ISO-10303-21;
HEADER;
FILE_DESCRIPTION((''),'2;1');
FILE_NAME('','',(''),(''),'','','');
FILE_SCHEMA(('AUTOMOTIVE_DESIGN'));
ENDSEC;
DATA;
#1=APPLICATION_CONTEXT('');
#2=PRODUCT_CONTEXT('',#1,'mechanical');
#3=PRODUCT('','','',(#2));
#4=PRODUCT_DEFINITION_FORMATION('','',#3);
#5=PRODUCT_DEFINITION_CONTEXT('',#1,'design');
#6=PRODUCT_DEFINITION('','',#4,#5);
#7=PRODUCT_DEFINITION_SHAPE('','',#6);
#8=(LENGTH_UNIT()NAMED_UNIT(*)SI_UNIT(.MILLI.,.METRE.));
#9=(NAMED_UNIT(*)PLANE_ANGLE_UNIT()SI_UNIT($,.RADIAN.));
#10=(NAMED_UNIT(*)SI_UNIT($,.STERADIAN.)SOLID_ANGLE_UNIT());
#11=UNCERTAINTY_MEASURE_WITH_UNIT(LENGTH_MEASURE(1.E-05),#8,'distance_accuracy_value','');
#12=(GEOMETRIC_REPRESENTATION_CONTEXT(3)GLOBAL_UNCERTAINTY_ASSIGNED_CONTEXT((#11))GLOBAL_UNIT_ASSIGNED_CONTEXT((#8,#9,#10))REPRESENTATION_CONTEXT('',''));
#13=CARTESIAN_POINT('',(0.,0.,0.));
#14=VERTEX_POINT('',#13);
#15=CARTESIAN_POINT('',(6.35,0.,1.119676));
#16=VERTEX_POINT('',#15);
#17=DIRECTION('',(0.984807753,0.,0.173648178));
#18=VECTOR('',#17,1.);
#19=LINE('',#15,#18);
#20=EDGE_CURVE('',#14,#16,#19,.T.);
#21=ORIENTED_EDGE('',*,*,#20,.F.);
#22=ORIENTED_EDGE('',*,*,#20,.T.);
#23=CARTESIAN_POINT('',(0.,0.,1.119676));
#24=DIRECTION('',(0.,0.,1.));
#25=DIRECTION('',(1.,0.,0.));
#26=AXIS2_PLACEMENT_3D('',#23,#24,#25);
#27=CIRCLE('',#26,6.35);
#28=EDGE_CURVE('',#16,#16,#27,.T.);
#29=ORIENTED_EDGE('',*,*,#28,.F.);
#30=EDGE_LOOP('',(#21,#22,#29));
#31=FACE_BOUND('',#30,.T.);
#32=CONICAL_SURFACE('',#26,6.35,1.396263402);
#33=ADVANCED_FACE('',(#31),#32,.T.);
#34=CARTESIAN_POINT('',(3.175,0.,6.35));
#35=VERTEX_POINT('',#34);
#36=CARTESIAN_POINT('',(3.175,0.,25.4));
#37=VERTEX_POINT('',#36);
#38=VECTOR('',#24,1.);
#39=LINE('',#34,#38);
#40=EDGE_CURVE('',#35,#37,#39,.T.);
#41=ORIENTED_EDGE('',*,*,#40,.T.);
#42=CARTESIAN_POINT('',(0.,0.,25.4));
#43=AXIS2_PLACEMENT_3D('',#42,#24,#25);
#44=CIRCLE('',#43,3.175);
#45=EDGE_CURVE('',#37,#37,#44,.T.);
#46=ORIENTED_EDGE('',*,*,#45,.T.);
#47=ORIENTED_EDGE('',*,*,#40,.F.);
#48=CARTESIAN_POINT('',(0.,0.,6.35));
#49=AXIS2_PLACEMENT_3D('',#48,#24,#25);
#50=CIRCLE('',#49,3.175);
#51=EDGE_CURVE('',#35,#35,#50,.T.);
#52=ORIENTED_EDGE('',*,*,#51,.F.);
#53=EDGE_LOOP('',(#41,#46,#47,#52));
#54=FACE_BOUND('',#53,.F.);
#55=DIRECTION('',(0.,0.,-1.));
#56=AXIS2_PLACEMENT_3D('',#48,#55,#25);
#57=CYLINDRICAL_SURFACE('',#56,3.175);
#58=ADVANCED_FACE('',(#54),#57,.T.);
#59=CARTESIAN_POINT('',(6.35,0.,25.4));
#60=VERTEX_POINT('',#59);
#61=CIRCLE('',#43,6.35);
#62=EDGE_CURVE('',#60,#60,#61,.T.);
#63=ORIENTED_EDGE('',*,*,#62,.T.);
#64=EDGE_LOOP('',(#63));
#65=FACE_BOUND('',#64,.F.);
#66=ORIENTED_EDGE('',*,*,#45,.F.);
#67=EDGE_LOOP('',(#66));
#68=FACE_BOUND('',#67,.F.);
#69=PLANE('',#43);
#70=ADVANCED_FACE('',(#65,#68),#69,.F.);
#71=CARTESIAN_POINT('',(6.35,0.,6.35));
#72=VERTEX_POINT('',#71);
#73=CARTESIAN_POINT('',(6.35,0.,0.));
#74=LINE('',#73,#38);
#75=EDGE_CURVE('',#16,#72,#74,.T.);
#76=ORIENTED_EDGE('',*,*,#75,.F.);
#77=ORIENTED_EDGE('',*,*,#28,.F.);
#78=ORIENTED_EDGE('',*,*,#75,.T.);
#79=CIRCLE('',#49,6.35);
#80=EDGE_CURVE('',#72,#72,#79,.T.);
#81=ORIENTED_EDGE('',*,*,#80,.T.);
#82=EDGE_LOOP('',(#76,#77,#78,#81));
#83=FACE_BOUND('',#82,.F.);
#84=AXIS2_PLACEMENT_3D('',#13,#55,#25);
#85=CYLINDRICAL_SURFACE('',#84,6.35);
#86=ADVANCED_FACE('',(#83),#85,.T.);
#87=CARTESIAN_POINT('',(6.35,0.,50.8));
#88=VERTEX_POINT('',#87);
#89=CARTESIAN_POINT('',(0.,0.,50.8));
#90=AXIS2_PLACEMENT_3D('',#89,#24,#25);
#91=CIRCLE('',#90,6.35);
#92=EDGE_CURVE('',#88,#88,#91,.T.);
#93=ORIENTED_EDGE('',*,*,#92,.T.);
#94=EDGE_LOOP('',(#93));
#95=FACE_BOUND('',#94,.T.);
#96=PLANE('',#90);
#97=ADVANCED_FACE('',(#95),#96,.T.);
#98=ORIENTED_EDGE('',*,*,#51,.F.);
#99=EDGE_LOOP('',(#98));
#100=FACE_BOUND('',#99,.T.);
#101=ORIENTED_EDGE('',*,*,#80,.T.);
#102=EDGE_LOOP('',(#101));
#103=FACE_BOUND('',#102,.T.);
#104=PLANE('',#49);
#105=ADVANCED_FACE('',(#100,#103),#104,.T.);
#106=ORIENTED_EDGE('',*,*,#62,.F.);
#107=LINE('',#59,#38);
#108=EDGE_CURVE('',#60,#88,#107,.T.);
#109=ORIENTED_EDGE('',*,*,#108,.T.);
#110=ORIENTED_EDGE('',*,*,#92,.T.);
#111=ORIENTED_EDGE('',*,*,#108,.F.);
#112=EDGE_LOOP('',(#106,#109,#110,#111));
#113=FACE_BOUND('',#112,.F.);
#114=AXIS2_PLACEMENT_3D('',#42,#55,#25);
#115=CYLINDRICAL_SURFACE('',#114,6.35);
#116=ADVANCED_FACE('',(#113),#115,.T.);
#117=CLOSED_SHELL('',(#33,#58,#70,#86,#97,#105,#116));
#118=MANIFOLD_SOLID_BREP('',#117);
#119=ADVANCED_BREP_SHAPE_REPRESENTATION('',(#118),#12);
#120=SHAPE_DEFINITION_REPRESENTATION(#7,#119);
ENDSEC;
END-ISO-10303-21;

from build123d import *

# Parameters (mm, degrees)
F0_R     = 6.35
F1_DEPTH = 6.35
F2_R     = 3.175
F3_DEPTH = 19.05
F4_R     = 6.35
F5_DEPTH = 25.4
F6_SIZE2 = 1.1196763275
F6_SIZE  = 6.35


with BuildPart() as f1:
    # F0 (on Top) → F1 (new body)
    with BuildSketch(Plane.XY):
        Circle(F0_R)
    extrude(amount=F1_DEPTH)

    # F2 (on face) → F3 (join)
    with BuildSketch(Plane.XY.offset(6.35)):
        Circle(F2_R)
    extrude(amount=F3_DEPTH)

    # F4 (on face) → F5 (join)
    with BuildSketch(Plane.XY.offset(25.4)):
        Circle(F4_R)
    extrude(amount=F5_DEPTH)

    # F6
    f6_edges = [f1.edges().sort_by_distance(p)[0] for p in [
        (-6.35, 0, 0),
    ]]
    f6_side = f1.faces().sort_by_distance((0, 0, 0))[0]
    chamfer(f6_edges, length=F6_SIZE, length2=F6_SIZE2, reference=f6_side)


solid = f1.part
